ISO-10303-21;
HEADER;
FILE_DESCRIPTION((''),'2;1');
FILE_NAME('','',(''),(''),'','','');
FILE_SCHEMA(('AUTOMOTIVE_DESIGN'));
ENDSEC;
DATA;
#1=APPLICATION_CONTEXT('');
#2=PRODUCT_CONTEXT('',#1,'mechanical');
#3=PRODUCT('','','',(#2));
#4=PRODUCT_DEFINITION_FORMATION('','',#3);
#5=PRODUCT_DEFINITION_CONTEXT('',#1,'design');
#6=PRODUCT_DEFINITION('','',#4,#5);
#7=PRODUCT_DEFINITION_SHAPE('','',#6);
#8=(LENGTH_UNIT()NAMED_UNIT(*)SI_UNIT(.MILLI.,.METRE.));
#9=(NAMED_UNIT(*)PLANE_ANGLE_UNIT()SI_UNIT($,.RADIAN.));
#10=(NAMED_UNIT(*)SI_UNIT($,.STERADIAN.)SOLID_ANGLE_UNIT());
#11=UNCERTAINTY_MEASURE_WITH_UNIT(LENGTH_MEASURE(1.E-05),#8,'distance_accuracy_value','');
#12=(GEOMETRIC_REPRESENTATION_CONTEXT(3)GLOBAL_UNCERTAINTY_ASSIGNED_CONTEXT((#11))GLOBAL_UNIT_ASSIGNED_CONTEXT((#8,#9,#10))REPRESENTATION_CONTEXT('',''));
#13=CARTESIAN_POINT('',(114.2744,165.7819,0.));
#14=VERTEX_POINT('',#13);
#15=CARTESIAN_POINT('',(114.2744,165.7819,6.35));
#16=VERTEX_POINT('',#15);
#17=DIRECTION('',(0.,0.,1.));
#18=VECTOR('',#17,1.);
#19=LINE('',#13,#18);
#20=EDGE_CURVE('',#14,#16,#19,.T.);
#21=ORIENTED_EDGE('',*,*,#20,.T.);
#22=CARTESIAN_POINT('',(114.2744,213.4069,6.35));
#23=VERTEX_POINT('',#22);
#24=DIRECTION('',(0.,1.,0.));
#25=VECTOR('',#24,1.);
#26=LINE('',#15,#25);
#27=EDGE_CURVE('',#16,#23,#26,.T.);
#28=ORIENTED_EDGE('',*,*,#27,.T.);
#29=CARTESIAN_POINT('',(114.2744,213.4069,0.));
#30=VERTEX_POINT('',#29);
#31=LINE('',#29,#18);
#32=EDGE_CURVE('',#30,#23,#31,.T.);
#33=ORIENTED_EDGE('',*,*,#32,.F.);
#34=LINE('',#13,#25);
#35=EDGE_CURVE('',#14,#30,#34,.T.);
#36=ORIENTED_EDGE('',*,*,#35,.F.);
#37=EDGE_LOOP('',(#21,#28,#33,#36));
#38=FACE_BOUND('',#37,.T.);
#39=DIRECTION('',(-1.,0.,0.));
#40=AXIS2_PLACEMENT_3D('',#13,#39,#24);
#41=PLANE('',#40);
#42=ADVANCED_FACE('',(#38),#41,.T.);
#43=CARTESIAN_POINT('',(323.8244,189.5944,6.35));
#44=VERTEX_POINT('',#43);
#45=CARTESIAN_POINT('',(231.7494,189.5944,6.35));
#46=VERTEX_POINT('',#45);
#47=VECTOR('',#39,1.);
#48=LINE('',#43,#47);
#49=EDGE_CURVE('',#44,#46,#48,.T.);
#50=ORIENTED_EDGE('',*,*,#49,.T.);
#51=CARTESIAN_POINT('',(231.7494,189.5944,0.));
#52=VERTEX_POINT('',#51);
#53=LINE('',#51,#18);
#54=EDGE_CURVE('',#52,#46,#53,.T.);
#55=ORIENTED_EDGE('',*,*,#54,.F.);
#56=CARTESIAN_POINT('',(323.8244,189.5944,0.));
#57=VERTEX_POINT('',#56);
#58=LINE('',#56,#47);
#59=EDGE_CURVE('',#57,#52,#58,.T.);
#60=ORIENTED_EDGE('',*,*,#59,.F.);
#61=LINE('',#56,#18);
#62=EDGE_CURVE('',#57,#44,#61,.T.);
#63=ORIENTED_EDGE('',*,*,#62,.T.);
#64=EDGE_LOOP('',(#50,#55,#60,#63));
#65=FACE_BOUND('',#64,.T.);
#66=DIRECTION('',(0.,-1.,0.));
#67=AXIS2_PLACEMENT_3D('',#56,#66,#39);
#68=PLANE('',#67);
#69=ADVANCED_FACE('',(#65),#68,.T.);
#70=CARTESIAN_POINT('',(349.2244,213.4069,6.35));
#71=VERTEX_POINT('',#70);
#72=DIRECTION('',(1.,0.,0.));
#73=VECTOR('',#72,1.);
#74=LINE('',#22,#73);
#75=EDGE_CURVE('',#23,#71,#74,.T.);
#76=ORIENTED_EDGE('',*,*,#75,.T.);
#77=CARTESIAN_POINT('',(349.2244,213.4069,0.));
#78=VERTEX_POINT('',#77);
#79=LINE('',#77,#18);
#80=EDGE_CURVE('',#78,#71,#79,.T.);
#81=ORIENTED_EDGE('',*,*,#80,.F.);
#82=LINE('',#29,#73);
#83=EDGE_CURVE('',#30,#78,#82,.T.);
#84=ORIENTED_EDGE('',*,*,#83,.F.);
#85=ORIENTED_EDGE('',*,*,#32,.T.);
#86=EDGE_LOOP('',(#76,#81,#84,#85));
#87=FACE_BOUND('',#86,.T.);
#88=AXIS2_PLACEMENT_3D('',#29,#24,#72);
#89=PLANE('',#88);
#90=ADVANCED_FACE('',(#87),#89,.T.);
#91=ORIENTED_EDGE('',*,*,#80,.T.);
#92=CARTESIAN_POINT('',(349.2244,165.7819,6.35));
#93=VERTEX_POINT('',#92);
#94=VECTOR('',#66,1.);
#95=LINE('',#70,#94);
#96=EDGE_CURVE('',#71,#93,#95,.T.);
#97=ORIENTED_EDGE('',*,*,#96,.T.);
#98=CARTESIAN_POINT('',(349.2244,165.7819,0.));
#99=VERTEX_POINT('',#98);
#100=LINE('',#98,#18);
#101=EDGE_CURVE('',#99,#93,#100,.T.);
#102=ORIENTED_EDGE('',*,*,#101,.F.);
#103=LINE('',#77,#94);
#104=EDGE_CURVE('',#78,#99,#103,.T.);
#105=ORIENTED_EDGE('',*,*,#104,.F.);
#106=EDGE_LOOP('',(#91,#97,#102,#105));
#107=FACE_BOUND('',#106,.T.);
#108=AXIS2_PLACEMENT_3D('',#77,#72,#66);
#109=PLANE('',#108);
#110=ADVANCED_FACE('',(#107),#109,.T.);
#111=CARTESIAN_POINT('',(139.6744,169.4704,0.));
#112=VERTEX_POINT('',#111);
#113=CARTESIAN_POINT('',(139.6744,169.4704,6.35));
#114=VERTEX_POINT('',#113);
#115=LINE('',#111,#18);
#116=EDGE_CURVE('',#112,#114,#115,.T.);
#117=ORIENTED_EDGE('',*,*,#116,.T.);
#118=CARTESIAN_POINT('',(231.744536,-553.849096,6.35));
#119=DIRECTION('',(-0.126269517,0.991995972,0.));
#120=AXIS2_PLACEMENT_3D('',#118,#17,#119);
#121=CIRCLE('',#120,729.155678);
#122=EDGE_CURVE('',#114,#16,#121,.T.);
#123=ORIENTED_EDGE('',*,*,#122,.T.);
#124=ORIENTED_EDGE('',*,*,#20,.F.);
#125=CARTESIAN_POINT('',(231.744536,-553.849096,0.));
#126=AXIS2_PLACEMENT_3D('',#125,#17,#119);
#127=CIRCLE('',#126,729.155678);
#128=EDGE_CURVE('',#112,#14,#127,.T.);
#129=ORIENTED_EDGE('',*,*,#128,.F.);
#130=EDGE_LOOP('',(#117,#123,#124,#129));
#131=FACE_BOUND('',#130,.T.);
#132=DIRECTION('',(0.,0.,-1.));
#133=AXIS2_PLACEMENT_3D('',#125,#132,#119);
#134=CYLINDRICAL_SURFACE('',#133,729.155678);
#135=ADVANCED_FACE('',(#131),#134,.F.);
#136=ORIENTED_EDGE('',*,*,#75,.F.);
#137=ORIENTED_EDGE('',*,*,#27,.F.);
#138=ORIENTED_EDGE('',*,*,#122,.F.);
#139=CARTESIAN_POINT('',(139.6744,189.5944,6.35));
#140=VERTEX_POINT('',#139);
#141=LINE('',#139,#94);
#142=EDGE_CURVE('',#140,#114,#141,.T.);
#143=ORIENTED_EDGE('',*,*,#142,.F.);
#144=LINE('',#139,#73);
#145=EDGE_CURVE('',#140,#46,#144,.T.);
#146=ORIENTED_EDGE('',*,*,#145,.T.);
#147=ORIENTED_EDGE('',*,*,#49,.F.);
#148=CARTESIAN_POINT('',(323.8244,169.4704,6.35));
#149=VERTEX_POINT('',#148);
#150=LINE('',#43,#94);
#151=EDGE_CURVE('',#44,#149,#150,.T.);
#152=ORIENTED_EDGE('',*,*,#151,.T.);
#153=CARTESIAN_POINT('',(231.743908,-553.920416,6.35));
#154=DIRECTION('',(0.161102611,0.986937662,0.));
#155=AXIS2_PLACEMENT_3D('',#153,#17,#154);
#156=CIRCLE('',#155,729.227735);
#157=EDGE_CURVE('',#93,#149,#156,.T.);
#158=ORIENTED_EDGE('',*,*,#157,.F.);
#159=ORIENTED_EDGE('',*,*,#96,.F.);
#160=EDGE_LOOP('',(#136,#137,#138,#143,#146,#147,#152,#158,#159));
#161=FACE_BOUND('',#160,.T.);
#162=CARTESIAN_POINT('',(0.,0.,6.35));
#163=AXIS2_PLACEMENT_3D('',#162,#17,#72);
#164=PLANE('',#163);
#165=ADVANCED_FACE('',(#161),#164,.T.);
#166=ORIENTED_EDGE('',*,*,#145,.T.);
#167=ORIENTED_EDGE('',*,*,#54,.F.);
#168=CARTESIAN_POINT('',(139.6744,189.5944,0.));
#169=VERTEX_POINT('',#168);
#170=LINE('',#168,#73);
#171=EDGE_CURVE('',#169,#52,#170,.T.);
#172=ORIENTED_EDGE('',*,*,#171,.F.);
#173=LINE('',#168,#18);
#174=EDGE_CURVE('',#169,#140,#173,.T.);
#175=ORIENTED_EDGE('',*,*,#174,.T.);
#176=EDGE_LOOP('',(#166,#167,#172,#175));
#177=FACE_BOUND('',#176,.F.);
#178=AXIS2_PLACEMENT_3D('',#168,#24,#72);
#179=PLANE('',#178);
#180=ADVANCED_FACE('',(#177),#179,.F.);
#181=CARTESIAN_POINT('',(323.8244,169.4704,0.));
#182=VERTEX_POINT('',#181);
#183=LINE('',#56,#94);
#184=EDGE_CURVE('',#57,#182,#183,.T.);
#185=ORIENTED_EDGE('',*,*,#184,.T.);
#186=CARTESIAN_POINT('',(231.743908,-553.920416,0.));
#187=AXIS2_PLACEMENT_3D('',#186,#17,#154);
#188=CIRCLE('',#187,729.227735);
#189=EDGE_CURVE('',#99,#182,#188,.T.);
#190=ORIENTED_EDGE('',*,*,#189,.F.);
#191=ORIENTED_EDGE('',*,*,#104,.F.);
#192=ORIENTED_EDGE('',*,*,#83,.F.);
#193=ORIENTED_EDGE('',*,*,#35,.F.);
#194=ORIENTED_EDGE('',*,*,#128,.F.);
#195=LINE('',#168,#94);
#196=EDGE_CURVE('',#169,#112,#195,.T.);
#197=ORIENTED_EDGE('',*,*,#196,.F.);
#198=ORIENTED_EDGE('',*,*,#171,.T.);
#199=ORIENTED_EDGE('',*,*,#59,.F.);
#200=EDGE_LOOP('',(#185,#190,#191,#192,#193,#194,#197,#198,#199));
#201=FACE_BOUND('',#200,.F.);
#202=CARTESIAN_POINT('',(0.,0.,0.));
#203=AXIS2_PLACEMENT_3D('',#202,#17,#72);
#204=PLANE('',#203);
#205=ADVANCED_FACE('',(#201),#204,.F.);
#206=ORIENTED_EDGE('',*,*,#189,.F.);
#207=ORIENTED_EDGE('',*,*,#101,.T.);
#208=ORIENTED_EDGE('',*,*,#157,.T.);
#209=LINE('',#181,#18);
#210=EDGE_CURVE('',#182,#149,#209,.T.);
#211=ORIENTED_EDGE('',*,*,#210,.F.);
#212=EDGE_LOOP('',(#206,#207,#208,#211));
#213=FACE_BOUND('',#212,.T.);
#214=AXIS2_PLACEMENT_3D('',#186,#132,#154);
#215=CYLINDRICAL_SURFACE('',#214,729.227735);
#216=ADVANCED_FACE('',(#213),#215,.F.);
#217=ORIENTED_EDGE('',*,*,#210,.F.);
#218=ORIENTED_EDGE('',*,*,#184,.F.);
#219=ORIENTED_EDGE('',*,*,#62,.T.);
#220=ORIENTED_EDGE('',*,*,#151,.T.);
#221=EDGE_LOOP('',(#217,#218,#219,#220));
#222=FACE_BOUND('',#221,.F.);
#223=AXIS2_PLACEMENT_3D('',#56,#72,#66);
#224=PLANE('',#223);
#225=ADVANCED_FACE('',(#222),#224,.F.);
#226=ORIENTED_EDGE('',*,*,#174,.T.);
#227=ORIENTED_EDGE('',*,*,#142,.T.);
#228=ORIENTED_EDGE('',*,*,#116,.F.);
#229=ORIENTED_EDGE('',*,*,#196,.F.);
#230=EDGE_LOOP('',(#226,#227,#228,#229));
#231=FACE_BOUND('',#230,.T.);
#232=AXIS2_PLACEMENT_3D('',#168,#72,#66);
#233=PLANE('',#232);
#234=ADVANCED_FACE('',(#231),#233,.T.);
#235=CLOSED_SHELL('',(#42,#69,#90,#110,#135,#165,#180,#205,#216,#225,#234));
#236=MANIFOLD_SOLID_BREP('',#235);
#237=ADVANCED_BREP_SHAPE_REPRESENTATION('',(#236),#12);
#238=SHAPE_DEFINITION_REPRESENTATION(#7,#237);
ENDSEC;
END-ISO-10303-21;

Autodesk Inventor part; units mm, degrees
ref_plane "YZ Plane" through (0, 0, 0) normal (1, 0, 0) x (0, 1, 0)
ref_plane "XZ Plane" through (0, 0, 0) normal (0, 1, 0) x (-1, 0, 0)
ref_plane "XY Plane" through (0, 0, 0) normal (0, 0, 1) x (1, 0, 0)
sketch "Sketch1" plane through (0, 0, 0) normal (0, 0, 1) x (1, 0, 0)
  line L0 (114.2744, 165.7819) -> (114.2744, 213.4069)
  line L1 (114.2744, 213.4069) -> (349.2244, 213.4069)
  line L2 (114.2744, 213.4069) -> (349.2244, 213.4069) construction
  line L3 (349.2244, 213.4069) -> (349.2244, 165.7819)
  line L4 (139.6744, 189.5944) -> (139.6744, 169.4704)
  line L5 (139.6744, 189.5944) -> (231.7494, 189.5944)
  line L6 (139.6744, 189.5944) -> (231.7494, 189.5944) construction
  line L7 (323.8244, 189.5944) -> (323.8244, 169.4704)
  line L8 (323.8244, 189.5944) -> (231.7494, 189.5944)
  line L9 (323.8244, 189.5944) -> (231.7494, 189.5944) construction
  line L10 (231.7494, 189.5944) -> (231.7494, 175.3069)
  arc A0 (349.2244, 165.7819) -> (323.8244, 169.4704) centre (231.7494, -553.8848) ccw
  arc A1 (139.6744, 169.4704) -> (114.2744, 165.7819) centre (231.7494, -553.8848) ccw
extrude "Extrusion1" add sketch "Sketch1" along normal blind 6.35
properties part number "Skateboard Electronics Box"
